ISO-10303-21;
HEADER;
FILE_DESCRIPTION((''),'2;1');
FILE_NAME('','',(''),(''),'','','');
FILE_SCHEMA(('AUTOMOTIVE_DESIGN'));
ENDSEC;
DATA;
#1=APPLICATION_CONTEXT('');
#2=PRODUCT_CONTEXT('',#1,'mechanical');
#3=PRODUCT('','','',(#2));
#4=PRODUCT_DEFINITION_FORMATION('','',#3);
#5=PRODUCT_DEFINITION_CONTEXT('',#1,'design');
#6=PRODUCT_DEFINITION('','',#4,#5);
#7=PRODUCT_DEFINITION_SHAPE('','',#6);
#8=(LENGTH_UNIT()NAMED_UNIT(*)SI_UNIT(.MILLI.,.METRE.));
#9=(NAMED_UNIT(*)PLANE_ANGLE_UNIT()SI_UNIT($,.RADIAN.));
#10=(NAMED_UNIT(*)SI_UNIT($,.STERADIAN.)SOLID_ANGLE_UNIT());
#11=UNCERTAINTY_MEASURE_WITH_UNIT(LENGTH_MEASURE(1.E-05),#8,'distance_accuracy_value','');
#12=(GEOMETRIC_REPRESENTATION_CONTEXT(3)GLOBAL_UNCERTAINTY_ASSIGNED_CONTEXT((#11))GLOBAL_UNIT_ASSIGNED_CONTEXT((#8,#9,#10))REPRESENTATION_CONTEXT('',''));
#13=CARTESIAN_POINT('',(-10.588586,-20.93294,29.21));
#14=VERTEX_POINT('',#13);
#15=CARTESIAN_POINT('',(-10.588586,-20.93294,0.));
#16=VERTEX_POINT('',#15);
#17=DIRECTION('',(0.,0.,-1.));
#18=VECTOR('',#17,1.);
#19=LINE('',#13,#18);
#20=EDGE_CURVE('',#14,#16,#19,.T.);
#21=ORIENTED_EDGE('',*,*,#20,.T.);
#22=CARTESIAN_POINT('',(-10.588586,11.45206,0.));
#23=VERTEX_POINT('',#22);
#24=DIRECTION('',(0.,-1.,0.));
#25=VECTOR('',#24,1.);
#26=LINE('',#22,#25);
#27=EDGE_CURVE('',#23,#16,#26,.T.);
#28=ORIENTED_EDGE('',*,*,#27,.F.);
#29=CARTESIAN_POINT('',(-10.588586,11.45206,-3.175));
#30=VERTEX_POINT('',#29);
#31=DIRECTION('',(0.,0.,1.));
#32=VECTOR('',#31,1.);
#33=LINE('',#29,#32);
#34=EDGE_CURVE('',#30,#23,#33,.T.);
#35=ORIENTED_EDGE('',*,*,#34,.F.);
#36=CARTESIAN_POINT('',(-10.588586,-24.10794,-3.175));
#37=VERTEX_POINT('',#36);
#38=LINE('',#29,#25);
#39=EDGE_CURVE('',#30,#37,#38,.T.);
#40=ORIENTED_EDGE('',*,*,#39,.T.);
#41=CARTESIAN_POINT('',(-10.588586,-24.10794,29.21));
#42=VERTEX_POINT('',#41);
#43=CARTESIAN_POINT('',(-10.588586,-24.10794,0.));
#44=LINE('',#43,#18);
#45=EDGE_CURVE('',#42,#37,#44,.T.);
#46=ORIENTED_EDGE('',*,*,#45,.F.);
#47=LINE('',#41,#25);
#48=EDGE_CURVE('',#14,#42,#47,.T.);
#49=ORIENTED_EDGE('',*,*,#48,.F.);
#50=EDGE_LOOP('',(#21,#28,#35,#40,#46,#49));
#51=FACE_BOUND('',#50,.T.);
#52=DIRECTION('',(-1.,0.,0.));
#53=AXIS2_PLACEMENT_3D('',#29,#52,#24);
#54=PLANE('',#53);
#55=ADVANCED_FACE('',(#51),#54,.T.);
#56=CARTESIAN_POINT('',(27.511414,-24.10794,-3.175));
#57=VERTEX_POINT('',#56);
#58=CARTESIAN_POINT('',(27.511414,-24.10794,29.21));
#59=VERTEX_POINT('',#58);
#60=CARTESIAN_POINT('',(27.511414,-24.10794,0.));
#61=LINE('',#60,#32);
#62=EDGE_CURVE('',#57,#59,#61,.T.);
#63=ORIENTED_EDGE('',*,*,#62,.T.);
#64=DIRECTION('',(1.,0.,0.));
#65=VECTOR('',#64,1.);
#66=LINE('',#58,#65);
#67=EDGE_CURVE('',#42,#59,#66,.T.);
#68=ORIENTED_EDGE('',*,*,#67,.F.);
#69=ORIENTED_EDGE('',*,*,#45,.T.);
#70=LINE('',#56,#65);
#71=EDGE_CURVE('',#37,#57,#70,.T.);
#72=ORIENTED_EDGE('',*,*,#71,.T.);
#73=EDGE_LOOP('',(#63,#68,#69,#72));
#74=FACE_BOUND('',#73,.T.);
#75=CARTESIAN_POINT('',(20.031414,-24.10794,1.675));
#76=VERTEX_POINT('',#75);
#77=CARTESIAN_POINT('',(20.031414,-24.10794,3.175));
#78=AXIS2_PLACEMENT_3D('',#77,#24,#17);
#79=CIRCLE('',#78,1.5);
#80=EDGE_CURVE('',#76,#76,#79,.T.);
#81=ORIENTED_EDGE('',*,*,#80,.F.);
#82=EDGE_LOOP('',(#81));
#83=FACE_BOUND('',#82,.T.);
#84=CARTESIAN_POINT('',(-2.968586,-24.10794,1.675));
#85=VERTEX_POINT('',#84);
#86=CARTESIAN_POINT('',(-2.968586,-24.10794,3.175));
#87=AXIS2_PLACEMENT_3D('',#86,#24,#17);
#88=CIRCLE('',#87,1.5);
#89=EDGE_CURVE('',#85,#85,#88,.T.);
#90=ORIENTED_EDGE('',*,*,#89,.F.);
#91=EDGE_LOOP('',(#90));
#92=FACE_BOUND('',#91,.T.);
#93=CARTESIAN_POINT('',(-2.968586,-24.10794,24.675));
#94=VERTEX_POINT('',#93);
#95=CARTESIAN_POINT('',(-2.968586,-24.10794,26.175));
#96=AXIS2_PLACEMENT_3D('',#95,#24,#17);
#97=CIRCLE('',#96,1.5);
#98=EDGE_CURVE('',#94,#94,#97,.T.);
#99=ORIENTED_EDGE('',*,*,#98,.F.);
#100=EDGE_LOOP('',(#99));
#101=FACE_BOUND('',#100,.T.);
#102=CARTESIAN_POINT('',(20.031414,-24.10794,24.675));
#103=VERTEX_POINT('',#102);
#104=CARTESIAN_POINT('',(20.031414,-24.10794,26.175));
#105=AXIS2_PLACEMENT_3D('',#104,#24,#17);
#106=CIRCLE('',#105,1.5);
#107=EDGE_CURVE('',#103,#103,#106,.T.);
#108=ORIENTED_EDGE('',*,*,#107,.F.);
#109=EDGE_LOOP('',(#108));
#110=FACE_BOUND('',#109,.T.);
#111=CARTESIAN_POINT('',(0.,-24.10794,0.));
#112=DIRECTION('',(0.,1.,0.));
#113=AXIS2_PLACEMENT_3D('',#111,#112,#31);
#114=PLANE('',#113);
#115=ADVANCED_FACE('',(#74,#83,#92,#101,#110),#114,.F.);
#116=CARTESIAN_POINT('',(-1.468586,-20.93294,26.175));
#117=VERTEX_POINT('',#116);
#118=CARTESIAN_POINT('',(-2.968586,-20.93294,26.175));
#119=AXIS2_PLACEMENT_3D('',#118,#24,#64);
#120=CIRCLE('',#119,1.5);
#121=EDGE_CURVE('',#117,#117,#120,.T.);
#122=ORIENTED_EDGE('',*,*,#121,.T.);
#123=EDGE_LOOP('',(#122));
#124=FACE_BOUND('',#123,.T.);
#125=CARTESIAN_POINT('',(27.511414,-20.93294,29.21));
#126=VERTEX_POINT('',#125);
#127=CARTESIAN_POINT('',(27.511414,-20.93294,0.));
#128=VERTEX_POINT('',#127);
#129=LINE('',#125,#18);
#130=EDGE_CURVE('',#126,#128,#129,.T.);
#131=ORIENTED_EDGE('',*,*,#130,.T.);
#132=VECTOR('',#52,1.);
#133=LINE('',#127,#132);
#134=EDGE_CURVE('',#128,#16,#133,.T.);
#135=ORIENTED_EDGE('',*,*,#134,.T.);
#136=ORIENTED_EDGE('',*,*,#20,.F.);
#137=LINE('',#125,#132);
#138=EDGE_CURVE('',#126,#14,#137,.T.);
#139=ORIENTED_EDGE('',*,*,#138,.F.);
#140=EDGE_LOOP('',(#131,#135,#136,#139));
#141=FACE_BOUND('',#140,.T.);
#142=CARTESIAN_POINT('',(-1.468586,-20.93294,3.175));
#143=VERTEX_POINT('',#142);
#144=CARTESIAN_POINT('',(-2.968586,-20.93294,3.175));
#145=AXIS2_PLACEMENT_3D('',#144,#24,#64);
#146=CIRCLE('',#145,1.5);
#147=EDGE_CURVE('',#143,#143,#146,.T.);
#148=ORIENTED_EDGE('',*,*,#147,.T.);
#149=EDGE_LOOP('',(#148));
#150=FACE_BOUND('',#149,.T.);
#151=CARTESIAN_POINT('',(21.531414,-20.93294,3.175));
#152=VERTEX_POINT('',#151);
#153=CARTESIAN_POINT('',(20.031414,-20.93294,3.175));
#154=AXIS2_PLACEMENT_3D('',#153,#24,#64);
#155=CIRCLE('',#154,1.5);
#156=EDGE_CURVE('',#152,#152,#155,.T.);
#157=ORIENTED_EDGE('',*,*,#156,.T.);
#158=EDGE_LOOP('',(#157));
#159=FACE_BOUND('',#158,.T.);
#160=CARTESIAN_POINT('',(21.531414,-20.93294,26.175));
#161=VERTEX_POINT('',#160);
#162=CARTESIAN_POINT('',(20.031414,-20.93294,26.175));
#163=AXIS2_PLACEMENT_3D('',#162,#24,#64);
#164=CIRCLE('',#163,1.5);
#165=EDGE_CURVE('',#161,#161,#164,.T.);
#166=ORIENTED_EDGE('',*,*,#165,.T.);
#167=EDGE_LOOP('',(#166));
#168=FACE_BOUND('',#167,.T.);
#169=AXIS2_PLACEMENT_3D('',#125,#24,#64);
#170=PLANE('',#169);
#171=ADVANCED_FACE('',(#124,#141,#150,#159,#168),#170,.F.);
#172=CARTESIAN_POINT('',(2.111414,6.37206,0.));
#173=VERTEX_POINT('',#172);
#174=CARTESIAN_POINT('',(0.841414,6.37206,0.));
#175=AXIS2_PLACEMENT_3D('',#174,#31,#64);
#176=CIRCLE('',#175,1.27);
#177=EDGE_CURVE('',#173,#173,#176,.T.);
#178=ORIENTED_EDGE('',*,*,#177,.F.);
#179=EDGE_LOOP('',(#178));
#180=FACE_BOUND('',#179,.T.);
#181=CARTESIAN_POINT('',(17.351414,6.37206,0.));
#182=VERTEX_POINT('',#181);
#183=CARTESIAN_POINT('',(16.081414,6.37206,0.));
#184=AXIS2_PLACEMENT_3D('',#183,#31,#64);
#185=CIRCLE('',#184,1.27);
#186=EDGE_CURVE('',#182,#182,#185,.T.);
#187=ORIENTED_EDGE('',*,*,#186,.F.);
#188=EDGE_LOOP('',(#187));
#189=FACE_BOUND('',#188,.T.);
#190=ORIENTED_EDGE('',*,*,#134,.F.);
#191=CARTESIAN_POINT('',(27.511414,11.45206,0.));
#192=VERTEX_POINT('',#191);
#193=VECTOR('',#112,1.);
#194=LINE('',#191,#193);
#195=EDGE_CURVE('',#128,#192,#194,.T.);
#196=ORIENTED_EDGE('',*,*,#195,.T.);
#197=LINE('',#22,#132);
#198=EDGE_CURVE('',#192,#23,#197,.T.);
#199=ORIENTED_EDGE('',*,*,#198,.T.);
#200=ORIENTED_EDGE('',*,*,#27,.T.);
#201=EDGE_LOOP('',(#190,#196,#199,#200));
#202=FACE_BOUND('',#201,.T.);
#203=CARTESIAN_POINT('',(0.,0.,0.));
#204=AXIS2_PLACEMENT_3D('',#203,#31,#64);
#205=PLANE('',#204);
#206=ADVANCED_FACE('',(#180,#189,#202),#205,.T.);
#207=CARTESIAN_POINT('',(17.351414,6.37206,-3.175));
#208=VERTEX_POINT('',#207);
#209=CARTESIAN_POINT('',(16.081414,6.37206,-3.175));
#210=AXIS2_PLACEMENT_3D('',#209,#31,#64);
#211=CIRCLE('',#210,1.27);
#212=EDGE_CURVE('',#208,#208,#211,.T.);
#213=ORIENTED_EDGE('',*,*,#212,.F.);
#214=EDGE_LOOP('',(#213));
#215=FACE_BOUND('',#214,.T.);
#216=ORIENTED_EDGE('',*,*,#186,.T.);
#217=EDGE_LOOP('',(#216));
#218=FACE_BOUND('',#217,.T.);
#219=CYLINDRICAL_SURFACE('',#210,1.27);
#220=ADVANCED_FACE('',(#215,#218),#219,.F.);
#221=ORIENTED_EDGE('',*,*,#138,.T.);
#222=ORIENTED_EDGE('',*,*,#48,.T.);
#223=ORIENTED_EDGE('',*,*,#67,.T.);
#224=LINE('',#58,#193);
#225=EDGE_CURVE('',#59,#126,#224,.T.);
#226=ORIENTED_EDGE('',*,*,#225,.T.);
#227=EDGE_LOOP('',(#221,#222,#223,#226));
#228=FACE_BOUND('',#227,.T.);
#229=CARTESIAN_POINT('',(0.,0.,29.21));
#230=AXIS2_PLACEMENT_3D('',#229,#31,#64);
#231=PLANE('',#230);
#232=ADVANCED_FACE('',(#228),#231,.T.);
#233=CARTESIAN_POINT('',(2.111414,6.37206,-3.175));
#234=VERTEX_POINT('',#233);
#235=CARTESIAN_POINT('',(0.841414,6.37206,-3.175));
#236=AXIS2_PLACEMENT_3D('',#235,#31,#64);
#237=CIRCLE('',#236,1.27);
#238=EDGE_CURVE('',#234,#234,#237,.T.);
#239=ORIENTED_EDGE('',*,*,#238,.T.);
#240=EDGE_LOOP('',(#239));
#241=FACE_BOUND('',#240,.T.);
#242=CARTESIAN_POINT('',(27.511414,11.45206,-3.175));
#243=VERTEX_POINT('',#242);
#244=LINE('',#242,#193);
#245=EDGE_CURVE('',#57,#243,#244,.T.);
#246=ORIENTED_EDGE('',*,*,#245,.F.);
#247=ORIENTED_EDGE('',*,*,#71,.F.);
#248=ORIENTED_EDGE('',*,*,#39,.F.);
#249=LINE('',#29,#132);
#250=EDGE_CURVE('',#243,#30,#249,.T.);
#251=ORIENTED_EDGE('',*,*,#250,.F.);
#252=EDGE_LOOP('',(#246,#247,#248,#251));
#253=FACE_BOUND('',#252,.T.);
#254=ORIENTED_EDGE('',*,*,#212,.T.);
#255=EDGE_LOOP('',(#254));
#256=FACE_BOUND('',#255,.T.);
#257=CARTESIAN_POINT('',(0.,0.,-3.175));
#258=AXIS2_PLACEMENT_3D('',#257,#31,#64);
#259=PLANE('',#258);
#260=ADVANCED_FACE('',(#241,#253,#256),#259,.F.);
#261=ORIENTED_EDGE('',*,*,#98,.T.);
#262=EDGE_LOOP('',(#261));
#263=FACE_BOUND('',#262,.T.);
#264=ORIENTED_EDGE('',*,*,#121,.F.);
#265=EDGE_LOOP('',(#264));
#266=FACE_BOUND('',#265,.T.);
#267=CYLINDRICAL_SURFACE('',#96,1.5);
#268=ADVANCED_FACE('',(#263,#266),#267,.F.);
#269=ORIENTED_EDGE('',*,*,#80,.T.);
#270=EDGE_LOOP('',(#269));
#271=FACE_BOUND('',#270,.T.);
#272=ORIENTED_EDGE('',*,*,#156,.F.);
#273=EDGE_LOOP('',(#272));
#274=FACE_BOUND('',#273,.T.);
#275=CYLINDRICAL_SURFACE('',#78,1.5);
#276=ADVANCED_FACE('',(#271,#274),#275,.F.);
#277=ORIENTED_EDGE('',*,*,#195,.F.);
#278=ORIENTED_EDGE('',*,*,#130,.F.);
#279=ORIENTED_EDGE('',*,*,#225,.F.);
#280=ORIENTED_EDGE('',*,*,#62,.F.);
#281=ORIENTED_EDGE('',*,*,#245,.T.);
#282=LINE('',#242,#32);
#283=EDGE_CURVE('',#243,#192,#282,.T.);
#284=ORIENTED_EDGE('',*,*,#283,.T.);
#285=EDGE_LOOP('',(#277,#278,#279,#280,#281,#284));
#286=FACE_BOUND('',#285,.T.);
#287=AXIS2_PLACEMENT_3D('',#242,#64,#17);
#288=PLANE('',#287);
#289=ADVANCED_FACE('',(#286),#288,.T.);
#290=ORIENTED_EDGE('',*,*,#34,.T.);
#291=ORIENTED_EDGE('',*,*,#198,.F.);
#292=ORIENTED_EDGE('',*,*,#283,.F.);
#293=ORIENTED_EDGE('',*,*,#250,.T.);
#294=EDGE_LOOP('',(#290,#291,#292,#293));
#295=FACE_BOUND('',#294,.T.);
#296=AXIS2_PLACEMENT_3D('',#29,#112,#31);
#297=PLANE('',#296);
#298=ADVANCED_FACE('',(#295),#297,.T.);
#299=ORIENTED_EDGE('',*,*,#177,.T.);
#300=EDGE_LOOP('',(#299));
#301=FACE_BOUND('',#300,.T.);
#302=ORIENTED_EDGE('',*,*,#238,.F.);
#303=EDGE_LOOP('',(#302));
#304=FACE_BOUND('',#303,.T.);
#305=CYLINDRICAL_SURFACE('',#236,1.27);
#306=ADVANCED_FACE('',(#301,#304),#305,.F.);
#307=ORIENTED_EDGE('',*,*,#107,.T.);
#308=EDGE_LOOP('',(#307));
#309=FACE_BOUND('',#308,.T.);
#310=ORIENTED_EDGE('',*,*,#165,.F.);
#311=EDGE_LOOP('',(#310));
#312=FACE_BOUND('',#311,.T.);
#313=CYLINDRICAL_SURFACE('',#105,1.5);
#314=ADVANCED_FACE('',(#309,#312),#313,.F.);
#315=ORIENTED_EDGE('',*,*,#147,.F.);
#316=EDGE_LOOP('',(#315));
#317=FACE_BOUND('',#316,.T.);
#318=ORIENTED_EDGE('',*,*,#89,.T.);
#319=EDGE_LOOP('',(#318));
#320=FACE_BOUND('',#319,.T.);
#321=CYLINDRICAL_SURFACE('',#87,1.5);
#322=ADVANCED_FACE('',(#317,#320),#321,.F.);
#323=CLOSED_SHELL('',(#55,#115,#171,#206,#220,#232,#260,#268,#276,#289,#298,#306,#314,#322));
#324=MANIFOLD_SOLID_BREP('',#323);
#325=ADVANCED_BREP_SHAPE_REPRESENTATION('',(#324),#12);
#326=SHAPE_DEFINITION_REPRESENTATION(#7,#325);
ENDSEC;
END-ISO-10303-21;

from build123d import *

# Parameters (mm, degrees)
SKETCH1_W                  = 38.1
SKETCH1_H                  = 10.16
SKETCH1_R                  = 1.27
BOSS_EXTRUDE3_DEPTH        = 3.175
SKETCH7_W                  = 38.1
SKETCH7_H                  = 3.175
BOSS_EXTRUDE4_DEPTH        = 25.4
SKETCH8_W                  = 38.1
SKETCH8_H                  = 3.175
BOSS_EXTRUDE6_DEPTH        = 29.21
F_1_0_228_DIAMETER_HOLE1_D = 3.000000096


with BuildPart() as part:
    # Sketch1 → Boss-Extrude3 (new body)
    with BuildSketch(Plane.XY):
        with Locations((8.461414392, 6.372059553)):
            Rectangle(SKETCH1_W, SKETCH1_H)
        with Locations((16.081414392, 6.372059553)):
            Circle(SKETCH1_R, mode=Mode.SUBTRACT)
        with Locations((0.841414392, 6.372059553)):
            Circle(SKETCH1_R, mode=Mode.SUBTRACT)
    extrude(amount=-BOSS_EXTRUDE3_DEPTH)

    # Sketch7 → Boss-Extrude4 (add)
    with BuildSketch(Plane.XZ.offset(-1.292059553)):
        with Locations((8.461414392, -1.5875)):
            Rectangle(SKETCH7_W, SKETCH7_H)
    extrude(amount=BOSS_EXTRUDE4_DEPTH)

    # Sketch8 → Boss-Extrude6 (add)
    with BuildSketch(Plane.XY):
        with Locations((8.461414392, -22.520440447)):
            Rectangle(SKETCH8_W, SKETCH8_H)
    extrude(amount=BOSS_EXTRUDE6_DEPTH)

    # #1 (0.228) Diameter Hole1 (through all)
    with Locations(Plane(origin=(-2.968585608, -24.107940447, 3.175), x_dir=(0, 0, -1), z_dir=(0, -1, 0))):
        with Locations((0, 0), (0, 23), (-23, 23), (-23, 0)):
            Hole(F_1_0_228_DIAMETER_HOLE1_D / 2)


solid = part.part
